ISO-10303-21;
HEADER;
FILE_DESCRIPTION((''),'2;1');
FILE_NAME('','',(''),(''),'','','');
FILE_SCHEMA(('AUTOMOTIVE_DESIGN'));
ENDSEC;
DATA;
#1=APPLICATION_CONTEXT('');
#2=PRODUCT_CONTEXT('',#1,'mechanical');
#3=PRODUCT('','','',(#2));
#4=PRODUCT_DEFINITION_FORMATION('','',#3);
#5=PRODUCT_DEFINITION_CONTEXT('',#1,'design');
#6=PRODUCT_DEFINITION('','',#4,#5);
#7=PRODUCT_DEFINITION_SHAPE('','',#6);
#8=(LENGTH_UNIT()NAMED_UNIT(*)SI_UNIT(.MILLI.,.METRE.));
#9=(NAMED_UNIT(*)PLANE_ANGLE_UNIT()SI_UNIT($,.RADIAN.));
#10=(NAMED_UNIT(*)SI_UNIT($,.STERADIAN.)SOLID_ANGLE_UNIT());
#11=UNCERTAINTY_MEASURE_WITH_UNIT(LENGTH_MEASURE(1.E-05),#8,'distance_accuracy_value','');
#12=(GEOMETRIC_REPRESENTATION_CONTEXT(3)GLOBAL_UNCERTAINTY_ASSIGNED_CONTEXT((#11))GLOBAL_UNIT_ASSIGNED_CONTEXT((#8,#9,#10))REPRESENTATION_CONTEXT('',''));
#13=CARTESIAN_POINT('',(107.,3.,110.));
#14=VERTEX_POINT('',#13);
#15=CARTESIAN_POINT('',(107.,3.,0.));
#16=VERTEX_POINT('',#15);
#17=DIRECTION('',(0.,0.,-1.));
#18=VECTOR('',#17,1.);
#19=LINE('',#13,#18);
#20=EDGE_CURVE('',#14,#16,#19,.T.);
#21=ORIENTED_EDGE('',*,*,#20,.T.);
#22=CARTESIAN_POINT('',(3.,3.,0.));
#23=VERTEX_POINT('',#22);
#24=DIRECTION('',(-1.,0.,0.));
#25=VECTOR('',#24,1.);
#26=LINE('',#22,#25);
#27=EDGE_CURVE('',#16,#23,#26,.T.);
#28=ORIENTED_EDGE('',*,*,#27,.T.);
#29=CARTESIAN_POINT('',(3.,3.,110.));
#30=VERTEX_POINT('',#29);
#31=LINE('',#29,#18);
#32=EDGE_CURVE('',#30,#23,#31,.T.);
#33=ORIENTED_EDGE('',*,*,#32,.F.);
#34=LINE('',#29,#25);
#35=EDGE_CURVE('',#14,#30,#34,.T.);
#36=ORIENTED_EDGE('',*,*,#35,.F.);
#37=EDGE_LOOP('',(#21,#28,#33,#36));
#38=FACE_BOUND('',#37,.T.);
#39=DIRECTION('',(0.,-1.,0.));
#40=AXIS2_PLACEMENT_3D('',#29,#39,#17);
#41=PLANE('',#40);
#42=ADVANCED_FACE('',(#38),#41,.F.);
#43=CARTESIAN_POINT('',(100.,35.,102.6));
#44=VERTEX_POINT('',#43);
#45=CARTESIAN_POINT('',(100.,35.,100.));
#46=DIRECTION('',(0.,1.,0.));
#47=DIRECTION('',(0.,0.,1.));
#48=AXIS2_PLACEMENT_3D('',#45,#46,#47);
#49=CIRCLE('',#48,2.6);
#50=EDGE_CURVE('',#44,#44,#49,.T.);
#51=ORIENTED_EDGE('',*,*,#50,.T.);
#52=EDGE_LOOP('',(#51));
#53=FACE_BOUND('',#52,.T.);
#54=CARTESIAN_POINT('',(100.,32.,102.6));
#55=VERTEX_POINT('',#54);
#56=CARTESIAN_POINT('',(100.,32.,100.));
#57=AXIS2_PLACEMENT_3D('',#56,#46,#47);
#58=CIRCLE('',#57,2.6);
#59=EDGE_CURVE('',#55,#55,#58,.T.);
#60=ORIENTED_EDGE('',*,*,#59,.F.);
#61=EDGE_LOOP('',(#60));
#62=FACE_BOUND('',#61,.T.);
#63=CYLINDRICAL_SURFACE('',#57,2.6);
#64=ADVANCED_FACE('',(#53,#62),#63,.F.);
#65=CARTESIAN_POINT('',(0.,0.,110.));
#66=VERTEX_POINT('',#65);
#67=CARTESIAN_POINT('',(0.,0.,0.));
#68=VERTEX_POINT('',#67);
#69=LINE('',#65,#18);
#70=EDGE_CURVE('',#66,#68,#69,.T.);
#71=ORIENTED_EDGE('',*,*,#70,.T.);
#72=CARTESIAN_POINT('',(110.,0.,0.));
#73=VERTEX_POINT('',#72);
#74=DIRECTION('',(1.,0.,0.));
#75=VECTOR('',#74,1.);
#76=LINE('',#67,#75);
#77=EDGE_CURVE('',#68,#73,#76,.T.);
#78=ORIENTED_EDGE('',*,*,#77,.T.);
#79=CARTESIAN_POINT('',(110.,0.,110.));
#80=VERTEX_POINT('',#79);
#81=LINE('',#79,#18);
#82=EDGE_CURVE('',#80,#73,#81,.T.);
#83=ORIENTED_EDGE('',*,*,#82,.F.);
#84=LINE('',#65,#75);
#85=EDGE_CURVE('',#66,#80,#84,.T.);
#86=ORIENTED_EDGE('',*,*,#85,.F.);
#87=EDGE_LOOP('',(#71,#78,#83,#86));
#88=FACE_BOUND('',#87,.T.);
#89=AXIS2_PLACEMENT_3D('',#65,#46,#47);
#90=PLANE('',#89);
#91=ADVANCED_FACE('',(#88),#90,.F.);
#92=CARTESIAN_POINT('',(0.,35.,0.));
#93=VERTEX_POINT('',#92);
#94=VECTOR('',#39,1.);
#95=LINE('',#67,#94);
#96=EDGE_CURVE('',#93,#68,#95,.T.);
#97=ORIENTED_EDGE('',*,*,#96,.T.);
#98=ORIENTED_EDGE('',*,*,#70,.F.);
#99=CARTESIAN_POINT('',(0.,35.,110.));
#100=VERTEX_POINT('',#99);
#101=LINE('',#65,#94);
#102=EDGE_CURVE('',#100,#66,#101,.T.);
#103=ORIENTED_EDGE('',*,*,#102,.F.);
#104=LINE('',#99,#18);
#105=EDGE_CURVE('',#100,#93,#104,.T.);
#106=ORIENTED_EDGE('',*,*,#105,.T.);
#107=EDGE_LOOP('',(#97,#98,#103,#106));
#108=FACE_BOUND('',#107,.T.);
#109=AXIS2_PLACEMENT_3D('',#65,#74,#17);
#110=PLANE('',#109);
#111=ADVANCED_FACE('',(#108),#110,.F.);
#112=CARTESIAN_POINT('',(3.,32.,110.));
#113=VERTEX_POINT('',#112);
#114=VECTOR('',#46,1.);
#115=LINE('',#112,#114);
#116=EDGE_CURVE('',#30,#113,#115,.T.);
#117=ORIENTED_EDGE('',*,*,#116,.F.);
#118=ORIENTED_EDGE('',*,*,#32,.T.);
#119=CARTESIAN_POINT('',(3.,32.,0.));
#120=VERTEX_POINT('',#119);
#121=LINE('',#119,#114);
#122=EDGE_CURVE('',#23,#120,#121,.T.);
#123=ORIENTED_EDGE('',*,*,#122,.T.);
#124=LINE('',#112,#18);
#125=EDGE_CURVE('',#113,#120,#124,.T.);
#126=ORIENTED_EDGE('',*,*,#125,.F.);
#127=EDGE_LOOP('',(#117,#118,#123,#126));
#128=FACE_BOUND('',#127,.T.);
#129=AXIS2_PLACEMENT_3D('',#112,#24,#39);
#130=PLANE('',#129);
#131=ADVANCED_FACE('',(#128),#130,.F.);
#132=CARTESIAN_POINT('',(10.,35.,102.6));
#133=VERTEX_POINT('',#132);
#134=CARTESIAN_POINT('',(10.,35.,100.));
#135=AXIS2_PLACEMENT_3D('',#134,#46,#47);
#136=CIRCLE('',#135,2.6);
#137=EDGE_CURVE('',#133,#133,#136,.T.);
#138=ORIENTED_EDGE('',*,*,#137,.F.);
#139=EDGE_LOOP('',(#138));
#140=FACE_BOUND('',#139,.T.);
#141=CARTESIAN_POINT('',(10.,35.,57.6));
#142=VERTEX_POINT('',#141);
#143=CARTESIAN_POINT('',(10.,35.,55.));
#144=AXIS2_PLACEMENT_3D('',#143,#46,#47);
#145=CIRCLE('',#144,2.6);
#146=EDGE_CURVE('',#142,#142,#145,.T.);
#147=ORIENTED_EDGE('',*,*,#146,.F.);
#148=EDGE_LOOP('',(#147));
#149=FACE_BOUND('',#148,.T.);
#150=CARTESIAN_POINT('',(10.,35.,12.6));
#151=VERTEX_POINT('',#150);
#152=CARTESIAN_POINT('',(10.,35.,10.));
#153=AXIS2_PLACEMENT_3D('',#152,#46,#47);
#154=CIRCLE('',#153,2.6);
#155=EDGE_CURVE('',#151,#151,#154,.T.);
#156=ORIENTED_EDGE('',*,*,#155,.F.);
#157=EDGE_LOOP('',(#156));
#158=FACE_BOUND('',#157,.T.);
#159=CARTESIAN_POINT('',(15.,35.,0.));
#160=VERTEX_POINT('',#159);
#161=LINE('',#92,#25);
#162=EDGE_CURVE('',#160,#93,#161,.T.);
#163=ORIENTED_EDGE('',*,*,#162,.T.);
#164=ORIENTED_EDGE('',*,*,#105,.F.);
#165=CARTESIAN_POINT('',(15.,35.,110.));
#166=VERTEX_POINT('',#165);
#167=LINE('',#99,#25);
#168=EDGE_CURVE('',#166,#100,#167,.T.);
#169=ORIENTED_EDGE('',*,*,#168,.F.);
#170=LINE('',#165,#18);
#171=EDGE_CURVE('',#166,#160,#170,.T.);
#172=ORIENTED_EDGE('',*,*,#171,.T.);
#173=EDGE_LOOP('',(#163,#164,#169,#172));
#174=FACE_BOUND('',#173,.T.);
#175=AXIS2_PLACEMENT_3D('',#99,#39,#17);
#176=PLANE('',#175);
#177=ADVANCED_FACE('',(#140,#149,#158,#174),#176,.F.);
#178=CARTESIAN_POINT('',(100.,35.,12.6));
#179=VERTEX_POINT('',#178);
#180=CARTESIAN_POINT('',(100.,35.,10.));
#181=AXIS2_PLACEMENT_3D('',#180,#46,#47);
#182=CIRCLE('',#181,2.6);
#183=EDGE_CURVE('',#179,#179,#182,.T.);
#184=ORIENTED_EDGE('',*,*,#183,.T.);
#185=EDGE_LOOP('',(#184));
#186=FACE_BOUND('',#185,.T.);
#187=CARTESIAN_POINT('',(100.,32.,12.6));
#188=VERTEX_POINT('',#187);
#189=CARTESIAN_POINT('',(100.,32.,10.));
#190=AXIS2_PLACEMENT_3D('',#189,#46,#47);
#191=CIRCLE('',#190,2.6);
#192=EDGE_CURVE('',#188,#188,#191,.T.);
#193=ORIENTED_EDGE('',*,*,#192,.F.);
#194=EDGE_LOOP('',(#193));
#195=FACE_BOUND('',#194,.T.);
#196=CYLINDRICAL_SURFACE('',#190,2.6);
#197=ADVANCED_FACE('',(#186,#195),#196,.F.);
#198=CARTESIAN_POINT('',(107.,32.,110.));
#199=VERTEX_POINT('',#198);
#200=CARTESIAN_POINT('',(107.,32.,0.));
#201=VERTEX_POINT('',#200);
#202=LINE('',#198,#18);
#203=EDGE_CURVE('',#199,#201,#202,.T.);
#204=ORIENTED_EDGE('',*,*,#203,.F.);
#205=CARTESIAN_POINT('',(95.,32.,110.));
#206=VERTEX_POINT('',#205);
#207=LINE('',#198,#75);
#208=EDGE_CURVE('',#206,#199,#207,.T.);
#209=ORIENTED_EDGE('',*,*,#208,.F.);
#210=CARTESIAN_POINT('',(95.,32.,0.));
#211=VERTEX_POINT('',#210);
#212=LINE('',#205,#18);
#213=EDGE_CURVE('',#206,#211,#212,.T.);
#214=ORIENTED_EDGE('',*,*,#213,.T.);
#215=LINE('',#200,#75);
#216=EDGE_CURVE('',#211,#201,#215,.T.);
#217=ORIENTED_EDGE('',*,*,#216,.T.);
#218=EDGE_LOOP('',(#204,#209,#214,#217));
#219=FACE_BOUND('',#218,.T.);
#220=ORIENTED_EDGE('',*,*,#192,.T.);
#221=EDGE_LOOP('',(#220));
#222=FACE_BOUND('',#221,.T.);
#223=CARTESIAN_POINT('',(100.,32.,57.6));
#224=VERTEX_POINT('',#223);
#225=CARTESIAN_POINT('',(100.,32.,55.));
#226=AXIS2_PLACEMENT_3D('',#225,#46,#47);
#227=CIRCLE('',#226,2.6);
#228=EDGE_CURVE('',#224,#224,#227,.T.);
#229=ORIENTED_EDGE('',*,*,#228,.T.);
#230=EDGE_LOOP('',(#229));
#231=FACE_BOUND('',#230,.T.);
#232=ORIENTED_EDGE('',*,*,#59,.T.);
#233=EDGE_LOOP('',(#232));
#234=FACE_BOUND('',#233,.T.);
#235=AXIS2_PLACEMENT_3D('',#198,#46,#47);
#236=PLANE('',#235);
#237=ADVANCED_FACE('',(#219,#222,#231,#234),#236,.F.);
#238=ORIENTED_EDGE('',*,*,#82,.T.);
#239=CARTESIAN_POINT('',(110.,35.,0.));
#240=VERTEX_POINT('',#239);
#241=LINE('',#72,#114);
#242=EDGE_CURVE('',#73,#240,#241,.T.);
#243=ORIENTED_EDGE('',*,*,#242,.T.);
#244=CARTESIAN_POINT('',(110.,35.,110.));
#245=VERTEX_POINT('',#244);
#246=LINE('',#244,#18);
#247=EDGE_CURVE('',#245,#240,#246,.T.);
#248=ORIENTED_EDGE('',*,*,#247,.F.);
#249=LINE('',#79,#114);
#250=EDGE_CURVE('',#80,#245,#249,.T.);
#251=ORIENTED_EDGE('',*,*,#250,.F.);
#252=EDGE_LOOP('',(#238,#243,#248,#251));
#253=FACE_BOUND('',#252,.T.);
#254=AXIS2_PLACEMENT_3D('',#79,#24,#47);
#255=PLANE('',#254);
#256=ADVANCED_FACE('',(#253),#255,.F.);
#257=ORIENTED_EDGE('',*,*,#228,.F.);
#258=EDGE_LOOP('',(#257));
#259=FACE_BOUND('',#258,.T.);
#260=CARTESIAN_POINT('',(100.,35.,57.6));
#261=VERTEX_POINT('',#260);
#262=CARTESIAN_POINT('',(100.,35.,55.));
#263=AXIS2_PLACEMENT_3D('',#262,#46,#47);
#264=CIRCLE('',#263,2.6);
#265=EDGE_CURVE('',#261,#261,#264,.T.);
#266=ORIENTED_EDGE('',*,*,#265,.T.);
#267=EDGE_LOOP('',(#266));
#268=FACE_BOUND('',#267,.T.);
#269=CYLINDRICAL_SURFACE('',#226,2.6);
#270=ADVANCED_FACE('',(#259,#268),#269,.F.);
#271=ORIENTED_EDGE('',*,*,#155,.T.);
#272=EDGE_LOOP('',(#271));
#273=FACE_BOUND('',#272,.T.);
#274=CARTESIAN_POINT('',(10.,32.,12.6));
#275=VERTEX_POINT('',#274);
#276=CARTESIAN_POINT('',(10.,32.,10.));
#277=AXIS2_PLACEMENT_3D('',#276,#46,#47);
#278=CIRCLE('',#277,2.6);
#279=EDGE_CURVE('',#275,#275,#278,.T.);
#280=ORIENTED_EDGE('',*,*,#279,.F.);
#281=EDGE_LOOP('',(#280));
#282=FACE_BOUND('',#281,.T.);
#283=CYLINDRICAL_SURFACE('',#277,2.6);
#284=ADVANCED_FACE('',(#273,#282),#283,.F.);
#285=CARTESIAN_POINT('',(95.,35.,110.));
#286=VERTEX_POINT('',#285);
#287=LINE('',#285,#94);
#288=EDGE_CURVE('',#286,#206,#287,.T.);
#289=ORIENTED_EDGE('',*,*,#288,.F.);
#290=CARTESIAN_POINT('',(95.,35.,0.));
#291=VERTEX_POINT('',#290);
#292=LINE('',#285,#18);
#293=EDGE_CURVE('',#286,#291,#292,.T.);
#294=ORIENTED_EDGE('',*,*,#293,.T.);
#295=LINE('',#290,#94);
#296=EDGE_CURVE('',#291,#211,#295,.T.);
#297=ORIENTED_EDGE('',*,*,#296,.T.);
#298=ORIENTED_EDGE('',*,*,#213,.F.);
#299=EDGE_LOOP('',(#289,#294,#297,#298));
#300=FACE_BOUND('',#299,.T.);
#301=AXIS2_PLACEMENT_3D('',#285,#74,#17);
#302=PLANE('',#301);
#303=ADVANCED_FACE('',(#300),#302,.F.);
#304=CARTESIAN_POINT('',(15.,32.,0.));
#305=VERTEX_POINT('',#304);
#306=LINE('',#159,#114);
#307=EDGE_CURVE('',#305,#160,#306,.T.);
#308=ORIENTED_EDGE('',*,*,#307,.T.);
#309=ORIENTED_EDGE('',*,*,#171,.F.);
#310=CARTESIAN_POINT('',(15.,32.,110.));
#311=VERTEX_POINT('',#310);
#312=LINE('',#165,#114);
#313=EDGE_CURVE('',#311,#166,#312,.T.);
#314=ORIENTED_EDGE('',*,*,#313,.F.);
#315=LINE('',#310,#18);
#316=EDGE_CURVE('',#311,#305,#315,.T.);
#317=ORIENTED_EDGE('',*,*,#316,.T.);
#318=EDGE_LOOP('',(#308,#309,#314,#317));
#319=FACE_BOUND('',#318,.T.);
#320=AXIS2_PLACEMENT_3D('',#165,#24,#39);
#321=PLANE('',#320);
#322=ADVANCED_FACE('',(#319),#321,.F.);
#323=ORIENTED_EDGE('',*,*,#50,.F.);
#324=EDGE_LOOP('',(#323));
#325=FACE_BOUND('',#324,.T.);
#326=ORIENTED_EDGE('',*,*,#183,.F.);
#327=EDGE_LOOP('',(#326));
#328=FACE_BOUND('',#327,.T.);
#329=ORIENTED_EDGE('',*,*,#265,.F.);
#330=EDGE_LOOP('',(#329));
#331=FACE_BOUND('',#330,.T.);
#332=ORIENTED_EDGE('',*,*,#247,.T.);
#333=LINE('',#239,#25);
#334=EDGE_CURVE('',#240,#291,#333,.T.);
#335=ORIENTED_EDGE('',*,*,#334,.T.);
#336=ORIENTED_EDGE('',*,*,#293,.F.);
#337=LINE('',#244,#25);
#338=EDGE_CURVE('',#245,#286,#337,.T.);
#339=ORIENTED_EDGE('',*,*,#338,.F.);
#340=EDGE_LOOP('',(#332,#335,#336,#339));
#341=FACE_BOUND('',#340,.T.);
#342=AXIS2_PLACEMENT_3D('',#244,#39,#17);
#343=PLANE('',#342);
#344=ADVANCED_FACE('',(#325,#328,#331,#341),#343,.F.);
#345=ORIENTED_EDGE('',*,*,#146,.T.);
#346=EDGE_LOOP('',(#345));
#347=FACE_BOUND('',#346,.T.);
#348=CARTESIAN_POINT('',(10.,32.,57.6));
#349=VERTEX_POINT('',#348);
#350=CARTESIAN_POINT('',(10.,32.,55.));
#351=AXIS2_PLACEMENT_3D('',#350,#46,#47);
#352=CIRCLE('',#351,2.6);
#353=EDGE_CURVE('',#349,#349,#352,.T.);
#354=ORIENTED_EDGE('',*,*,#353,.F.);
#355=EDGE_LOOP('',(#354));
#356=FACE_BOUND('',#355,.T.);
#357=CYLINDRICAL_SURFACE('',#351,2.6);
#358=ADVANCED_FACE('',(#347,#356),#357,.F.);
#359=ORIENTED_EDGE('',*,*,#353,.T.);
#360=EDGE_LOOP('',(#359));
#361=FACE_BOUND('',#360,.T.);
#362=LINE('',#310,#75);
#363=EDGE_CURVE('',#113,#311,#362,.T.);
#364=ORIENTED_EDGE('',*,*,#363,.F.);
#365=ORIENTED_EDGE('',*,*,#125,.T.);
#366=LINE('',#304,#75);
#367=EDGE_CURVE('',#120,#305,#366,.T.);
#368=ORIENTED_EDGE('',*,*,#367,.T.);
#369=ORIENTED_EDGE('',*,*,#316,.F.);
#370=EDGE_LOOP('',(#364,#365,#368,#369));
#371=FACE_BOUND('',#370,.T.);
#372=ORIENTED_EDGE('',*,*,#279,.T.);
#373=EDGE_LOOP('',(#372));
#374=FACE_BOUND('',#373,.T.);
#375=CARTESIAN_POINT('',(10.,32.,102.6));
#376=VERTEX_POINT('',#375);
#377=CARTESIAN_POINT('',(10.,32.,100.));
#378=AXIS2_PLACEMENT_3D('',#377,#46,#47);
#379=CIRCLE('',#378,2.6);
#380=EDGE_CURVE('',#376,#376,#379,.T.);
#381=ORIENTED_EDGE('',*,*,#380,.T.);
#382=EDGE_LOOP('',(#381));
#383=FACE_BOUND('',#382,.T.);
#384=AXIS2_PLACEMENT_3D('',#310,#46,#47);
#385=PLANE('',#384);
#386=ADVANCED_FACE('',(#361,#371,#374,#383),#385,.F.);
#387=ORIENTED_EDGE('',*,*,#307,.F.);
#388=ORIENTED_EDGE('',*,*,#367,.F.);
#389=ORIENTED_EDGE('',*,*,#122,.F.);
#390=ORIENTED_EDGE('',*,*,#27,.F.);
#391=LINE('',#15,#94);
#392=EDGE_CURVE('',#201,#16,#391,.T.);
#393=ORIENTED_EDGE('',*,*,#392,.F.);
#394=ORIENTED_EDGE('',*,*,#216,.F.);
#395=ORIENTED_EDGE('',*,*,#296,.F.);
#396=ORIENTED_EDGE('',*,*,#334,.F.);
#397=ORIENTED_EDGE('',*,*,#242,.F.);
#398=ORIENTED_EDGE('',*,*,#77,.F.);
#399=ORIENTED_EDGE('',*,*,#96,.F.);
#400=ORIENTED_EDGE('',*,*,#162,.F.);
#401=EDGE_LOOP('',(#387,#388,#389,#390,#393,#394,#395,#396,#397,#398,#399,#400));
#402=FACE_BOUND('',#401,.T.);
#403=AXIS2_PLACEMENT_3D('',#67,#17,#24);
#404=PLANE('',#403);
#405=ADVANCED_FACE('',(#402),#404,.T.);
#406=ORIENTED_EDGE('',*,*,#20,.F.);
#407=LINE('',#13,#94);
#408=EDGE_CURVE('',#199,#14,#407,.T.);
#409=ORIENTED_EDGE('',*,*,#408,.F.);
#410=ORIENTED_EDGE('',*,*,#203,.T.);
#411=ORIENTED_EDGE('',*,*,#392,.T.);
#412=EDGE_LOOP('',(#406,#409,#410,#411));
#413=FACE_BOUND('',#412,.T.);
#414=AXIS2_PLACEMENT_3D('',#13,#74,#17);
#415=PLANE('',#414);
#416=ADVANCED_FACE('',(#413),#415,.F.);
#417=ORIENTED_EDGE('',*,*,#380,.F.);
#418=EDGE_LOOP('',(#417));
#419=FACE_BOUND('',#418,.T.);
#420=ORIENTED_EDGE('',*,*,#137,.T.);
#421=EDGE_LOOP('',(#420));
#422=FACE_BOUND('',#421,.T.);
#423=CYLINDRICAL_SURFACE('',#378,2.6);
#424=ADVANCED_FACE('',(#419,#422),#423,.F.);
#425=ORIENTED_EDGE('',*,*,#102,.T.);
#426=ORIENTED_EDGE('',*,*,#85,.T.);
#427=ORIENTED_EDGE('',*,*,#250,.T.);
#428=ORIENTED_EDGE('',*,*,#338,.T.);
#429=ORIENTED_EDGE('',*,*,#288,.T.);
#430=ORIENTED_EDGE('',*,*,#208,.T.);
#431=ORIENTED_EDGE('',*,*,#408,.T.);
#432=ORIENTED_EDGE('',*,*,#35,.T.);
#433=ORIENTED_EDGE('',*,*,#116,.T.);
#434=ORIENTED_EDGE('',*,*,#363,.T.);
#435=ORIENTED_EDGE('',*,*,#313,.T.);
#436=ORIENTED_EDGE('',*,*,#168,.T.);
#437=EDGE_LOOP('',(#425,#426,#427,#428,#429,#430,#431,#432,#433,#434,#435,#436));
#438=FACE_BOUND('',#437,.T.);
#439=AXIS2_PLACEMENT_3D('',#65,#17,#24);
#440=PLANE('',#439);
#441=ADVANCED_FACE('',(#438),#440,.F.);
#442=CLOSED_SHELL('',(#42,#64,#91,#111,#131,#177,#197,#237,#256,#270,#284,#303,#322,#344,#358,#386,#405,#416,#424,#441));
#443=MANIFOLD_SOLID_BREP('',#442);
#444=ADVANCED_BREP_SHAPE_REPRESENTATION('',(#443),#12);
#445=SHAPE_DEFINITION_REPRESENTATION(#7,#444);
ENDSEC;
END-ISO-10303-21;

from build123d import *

# Parameters (mm, degrees)
EXTRUDE_1_DEPTH     = 110
SKETCH_2_R          = 2.6
CUT_EXTRUDE_1_DEPTH = 3


with BuildPart() as part:
    # 草图1 → 凸台-拉伸1 (new body)
    with BuildSketch(Plane.XY):
        Polygon((0, 0), (110, 0), (110, 35), (95, 35), (95, 32), (107, 32), (107, 3), (3, 3), (3, 32), (15, 32), (15, 35), (0, 35), align=None)
    extrude(amount=EXTRUDE_1_DEPTH)

    # 草图2 → 切除-拉伸1 (cut)
    with BuildSketch(Plane(origin=(0, 35, 0), x_dir=(1, 0, 0), z_dir=(0, 1, 0))):
        with Locations(Location((10, -10, 0), (0, 0, 270))):
            Circle(SKETCH_2_R)
        with Locations(Location((100, -10, 0), (0, 0, 270))):
            Circle(SKETCH_2_R)
        with Locations(Location((100, -55, 0), (0, 0, 270))):
            Circle(SKETCH_2_R)
        with Locations(Location((100, -100, 0), (0, 0, 270))):
            Circle(SKETCH_2_R)
        with Locations(Location((10, -55, 0), (0, 0, 270))):
            Circle(SKETCH_2_R)
        with Locations(Location((10, -100, 0), (0, 0, 270))):
            Circle(SKETCH_2_R)
    extrude(amount=-CUT_EXTRUDE_1_DEPTH, mode=Mode.SUBTRACT)


solid = part.part
